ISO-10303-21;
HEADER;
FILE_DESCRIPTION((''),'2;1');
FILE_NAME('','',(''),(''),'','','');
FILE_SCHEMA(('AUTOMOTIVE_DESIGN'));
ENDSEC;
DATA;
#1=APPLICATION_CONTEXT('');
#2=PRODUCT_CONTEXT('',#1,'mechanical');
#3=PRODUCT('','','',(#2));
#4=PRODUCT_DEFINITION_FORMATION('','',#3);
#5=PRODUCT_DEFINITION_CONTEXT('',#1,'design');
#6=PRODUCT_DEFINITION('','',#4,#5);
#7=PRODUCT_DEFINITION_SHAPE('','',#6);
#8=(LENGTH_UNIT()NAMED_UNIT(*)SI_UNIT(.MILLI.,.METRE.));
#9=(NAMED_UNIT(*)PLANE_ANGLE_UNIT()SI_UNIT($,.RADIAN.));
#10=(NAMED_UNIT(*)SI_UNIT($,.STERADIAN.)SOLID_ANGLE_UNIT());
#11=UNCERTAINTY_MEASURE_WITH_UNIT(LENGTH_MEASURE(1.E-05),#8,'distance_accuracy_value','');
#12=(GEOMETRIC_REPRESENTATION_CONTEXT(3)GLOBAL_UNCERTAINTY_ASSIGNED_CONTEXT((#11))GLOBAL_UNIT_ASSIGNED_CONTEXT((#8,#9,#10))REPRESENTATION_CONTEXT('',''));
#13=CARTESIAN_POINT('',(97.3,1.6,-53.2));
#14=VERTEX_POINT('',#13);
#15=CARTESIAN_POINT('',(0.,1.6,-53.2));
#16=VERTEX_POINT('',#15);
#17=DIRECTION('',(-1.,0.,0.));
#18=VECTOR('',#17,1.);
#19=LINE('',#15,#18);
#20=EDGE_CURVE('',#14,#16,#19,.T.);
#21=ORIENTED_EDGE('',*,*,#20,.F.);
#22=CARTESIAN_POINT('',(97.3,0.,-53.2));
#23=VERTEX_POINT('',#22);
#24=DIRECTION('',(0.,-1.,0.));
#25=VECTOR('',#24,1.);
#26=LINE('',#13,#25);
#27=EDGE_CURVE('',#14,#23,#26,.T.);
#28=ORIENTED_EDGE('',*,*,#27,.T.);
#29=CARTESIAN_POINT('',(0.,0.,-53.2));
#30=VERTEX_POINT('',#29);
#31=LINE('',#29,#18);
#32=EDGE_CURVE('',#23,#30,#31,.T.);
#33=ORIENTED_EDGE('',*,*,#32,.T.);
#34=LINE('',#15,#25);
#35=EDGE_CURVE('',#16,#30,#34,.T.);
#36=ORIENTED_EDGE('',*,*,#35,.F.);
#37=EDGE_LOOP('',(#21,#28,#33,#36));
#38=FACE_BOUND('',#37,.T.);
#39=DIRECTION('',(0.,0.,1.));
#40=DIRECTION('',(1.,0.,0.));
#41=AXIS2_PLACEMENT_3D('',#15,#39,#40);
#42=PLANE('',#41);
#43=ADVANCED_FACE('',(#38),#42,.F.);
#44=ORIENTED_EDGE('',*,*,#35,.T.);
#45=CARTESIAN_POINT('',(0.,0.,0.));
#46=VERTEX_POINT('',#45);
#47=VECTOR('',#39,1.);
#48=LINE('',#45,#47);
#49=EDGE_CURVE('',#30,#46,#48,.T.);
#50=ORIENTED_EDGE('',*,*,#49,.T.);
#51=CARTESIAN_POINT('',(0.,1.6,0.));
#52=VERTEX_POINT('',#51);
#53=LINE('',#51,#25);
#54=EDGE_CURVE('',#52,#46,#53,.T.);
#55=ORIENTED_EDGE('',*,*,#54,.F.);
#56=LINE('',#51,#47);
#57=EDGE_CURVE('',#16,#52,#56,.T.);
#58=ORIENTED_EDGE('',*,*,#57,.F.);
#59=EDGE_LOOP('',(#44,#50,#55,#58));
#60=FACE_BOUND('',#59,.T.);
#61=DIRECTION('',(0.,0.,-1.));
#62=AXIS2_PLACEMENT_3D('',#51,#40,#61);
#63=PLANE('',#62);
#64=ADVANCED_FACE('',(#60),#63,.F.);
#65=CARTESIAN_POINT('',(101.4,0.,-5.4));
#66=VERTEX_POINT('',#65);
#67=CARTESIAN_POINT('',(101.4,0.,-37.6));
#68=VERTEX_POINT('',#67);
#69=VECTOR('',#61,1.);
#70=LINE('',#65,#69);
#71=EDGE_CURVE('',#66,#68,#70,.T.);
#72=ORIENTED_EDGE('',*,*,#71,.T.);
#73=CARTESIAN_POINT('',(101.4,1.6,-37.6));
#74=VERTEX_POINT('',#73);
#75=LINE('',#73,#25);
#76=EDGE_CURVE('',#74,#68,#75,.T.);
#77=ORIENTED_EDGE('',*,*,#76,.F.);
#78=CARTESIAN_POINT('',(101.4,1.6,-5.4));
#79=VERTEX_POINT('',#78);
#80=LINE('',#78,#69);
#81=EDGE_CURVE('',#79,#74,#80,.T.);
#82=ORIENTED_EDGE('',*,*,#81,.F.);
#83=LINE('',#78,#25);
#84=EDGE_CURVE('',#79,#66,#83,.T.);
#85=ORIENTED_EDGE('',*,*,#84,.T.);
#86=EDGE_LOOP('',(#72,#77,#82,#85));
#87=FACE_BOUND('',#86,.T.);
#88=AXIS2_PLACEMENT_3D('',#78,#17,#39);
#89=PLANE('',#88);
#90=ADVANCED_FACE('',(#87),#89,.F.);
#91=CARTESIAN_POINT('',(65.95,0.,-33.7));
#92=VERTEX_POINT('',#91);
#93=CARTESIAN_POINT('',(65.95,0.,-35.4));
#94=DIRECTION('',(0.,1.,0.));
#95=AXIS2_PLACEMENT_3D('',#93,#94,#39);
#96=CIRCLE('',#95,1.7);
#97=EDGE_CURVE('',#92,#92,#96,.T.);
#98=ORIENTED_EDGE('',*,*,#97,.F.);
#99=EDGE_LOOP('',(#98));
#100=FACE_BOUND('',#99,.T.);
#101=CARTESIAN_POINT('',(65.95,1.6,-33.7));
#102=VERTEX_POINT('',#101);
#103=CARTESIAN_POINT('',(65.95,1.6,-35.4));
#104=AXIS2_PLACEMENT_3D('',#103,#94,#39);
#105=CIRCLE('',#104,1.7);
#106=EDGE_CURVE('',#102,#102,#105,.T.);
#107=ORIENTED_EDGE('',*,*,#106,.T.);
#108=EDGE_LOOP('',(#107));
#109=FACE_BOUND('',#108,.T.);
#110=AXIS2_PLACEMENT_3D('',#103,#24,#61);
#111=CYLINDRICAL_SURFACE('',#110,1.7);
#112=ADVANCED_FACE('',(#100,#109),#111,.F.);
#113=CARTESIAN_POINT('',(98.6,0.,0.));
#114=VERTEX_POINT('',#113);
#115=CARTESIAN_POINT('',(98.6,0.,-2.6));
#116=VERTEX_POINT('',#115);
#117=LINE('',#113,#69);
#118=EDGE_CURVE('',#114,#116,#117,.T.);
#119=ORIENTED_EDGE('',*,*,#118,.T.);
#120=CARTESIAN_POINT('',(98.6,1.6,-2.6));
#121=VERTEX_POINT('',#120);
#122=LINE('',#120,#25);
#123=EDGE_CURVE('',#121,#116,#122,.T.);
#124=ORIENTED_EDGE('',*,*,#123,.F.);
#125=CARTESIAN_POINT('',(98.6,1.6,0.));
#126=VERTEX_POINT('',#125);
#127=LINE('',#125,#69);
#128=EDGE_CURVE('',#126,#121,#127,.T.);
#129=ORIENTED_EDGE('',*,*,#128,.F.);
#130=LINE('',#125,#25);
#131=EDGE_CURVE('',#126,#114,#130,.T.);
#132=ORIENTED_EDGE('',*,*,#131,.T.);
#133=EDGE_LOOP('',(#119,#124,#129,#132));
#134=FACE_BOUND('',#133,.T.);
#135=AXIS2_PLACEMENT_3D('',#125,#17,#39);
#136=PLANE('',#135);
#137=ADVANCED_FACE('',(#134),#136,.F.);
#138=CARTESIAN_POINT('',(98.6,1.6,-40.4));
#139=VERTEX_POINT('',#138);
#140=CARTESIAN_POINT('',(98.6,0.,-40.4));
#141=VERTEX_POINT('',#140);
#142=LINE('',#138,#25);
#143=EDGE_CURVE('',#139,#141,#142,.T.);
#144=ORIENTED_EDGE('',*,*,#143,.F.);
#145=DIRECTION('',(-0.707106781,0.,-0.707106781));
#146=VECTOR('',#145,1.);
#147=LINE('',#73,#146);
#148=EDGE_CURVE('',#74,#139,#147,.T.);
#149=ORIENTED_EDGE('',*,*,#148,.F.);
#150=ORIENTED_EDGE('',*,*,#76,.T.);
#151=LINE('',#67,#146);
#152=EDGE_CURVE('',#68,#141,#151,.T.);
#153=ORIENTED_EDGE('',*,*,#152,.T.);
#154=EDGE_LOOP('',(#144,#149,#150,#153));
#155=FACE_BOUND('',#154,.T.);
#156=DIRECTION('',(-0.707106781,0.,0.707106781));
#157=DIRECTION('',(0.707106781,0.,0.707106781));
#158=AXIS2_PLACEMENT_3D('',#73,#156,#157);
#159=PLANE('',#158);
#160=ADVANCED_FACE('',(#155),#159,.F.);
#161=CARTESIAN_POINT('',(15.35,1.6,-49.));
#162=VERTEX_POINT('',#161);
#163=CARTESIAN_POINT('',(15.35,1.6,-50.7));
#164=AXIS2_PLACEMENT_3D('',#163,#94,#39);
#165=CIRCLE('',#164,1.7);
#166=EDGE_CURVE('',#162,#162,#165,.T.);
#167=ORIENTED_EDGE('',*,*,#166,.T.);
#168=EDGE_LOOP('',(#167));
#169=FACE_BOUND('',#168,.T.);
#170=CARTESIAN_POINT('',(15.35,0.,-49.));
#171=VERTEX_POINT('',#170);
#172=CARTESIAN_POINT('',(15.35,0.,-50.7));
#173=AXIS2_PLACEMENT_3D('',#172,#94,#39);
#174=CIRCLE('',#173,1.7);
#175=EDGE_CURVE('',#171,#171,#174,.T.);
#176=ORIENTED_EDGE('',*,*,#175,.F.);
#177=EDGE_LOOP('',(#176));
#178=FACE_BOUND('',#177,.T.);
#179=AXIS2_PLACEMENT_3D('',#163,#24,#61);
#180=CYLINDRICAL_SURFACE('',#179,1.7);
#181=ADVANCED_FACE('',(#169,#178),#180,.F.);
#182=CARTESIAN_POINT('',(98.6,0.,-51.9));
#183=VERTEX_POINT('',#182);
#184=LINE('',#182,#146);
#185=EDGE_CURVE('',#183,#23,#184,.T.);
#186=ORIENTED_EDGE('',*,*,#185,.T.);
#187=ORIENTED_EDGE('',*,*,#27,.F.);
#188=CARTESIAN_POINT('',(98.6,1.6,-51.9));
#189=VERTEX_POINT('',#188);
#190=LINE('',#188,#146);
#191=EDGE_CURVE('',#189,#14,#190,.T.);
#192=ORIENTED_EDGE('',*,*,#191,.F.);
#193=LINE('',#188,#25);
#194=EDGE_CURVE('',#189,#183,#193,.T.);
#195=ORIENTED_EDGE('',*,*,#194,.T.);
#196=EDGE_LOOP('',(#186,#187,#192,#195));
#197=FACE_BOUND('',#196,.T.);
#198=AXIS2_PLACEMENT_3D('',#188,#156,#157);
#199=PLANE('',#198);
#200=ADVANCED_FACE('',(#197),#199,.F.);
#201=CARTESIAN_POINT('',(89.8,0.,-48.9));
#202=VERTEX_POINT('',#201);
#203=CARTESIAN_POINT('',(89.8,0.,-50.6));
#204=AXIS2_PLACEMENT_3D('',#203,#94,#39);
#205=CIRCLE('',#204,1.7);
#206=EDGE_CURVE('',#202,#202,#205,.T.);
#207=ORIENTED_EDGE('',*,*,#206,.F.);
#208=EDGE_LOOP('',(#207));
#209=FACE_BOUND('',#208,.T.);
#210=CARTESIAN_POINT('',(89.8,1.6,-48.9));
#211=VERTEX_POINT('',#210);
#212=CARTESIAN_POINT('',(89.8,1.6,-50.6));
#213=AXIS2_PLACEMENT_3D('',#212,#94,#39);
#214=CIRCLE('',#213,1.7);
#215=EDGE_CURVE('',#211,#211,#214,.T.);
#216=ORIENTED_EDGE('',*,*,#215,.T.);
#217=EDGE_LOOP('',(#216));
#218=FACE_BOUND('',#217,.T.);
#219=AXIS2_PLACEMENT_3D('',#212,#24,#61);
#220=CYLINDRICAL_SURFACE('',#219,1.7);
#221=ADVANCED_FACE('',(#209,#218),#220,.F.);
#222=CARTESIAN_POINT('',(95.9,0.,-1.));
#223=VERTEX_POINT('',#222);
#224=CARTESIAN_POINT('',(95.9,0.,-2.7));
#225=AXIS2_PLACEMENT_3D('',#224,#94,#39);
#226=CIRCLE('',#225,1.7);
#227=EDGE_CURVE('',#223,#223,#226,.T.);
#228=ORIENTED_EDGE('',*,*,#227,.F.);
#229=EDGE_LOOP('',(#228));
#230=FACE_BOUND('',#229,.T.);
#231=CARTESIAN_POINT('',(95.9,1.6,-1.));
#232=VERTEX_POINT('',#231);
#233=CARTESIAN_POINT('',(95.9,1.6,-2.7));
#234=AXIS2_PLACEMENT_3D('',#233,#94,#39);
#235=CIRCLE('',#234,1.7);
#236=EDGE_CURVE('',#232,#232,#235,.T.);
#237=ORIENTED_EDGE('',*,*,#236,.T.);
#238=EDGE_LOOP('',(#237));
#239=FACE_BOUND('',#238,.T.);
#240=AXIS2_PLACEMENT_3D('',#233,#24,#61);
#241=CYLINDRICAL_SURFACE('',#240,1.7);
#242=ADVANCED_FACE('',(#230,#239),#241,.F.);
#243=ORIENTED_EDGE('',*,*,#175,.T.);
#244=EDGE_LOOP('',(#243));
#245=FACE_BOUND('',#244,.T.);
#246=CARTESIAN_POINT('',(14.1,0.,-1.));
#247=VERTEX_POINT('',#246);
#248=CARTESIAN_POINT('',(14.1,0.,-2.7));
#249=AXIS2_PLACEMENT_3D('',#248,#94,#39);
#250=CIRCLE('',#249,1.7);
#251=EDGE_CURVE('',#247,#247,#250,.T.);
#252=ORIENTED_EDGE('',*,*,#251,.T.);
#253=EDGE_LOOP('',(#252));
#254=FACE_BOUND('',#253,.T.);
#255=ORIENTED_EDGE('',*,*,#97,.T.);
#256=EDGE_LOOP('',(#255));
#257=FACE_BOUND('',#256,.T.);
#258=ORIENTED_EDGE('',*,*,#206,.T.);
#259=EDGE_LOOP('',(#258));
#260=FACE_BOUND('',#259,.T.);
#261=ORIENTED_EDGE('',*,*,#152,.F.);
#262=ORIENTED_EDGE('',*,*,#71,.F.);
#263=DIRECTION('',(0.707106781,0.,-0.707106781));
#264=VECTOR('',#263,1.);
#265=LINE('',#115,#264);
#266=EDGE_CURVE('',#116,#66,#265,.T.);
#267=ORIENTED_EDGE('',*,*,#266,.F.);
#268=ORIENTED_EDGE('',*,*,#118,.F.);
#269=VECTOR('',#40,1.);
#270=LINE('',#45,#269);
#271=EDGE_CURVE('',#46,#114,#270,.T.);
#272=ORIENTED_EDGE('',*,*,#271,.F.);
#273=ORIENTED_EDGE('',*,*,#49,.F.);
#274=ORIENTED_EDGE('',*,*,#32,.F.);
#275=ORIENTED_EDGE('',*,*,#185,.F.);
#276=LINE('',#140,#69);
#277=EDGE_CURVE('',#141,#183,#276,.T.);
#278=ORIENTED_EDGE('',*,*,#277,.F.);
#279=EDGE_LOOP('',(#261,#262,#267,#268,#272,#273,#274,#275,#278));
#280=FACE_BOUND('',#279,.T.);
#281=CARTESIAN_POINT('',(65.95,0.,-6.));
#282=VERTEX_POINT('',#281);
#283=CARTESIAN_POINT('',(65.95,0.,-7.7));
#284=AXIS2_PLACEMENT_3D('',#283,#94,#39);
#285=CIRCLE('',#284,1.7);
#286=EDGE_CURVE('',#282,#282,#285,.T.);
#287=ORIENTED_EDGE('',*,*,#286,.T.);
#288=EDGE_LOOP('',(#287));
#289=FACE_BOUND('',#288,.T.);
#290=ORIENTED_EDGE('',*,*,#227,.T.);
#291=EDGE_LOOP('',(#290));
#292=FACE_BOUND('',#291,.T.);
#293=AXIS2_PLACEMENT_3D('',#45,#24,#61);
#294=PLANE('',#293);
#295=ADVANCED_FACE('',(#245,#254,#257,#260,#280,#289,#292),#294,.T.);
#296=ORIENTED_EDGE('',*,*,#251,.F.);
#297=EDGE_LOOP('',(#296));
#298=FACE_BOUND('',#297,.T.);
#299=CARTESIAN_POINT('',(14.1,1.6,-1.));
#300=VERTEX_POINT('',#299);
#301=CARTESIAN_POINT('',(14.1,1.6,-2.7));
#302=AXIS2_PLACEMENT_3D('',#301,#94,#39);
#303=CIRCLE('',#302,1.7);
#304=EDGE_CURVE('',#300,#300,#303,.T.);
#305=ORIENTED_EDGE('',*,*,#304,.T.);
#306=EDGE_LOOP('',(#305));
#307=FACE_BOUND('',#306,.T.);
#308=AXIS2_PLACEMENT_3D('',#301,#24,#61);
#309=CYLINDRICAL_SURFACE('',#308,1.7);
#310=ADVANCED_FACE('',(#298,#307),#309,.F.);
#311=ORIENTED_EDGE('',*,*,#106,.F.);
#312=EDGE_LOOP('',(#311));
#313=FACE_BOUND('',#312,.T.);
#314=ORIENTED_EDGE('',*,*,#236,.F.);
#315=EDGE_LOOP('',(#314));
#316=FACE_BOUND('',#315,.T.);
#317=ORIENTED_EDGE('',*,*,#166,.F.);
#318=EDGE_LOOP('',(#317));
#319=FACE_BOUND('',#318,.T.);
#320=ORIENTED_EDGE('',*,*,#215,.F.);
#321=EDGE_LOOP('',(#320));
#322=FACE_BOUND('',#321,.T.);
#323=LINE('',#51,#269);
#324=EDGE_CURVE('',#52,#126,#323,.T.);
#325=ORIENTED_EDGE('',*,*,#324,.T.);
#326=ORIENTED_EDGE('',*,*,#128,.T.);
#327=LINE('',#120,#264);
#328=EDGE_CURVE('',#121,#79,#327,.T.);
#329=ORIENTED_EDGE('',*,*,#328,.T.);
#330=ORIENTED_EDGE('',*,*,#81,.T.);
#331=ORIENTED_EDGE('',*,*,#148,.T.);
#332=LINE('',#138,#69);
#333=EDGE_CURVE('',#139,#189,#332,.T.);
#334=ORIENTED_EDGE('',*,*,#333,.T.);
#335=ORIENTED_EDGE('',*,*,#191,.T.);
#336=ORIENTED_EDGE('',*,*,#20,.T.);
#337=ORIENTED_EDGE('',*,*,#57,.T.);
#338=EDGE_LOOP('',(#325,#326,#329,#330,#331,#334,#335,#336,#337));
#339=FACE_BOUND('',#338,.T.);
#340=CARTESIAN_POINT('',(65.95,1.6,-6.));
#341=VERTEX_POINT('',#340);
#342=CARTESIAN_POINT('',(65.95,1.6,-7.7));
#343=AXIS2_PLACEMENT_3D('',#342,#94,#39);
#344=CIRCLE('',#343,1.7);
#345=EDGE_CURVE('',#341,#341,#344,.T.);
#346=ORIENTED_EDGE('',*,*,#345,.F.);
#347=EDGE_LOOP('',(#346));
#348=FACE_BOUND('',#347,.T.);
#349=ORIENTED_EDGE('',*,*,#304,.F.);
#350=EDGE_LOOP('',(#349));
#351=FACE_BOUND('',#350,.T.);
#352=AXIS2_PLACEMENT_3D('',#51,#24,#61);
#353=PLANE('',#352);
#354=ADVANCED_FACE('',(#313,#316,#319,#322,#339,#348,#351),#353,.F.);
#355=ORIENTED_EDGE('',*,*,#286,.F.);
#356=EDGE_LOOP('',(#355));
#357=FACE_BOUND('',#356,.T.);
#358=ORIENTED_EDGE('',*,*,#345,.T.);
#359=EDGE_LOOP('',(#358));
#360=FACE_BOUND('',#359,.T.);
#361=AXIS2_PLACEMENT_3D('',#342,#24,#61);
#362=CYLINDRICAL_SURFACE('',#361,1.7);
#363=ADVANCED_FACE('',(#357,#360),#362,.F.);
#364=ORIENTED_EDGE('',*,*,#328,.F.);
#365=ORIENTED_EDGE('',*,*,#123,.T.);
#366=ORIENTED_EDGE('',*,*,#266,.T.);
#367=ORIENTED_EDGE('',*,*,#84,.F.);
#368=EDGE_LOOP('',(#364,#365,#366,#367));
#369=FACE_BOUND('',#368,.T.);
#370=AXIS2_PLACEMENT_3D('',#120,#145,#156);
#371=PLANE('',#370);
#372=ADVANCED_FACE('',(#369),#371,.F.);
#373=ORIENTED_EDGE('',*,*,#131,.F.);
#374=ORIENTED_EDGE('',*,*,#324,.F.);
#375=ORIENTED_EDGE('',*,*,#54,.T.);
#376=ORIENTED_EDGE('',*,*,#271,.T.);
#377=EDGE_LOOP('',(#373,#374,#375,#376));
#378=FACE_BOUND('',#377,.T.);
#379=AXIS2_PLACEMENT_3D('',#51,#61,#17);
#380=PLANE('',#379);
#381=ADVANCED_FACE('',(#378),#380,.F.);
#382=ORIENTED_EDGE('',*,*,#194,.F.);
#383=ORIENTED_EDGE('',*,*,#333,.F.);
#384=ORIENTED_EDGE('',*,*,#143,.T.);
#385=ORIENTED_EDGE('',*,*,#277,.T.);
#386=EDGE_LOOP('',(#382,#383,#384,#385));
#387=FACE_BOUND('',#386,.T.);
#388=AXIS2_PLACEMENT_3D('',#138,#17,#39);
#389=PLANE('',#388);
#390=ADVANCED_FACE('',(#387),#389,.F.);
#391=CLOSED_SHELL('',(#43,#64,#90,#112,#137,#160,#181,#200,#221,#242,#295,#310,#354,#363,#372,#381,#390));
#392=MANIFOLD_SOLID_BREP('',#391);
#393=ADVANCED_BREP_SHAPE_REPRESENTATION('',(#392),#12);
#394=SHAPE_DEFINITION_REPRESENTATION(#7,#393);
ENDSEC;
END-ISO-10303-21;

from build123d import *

# Parameters (mm, degrees)
SKETCH1_R           = 1.7
BOSS_EXTRUDE1_DEPTH = 1.6


with BuildPart() as part:
    # Sketch1 → Boss-Extrude1 (new body)
    with BuildSketch(Plane(origin=(0, 0, 0), x_dir=(1, 0, 0), z_dir=(0, 1, 0))):
        Polygon((98.6, 0), (98.6, 2.6), (101.4, 5.4), (101.4, 37.6), (98.6, 40.4), (98.6, 51.9), (97.3, 53.2), (0, 53.2), (0, 0), align=None)
        with Locations(Location((95.9, 2.7, 0), (0, 0, 270))):
            Circle(SKETCH1_R, mode=Mode.SUBTRACT)
        with Locations(Location((89.8, 50.6, 0), (0, 0, 270))):
            Circle(SKETCH1_R, mode=Mode.SUBTRACT)
        with Locations(Location((65.95, 35.4, 0), (0, 0, 270))):
            Circle(SKETCH1_R, mode=Mode.SUBTRACT)
        with Locations(Location((65.95, 7.7, 0), (0, 0, 270))):
            Circle(SKETCH1_R, mode=Mode.SUBTRACT)
        with Locations(Location((15.35, 50.7, 0), (0, 0, 270))):
            Circle(SKETCH1_R, mode=Mode.SUBTRACT)
        with Locations(Location((14.1, 2.7, 0), (0, 0, 270))):
            Circle(SKETCH1_R, mode=Mode.SUBTRACT)
    extrude(amount=BOSS_EXTRUDE1_DEPTH)


solid = part.part
